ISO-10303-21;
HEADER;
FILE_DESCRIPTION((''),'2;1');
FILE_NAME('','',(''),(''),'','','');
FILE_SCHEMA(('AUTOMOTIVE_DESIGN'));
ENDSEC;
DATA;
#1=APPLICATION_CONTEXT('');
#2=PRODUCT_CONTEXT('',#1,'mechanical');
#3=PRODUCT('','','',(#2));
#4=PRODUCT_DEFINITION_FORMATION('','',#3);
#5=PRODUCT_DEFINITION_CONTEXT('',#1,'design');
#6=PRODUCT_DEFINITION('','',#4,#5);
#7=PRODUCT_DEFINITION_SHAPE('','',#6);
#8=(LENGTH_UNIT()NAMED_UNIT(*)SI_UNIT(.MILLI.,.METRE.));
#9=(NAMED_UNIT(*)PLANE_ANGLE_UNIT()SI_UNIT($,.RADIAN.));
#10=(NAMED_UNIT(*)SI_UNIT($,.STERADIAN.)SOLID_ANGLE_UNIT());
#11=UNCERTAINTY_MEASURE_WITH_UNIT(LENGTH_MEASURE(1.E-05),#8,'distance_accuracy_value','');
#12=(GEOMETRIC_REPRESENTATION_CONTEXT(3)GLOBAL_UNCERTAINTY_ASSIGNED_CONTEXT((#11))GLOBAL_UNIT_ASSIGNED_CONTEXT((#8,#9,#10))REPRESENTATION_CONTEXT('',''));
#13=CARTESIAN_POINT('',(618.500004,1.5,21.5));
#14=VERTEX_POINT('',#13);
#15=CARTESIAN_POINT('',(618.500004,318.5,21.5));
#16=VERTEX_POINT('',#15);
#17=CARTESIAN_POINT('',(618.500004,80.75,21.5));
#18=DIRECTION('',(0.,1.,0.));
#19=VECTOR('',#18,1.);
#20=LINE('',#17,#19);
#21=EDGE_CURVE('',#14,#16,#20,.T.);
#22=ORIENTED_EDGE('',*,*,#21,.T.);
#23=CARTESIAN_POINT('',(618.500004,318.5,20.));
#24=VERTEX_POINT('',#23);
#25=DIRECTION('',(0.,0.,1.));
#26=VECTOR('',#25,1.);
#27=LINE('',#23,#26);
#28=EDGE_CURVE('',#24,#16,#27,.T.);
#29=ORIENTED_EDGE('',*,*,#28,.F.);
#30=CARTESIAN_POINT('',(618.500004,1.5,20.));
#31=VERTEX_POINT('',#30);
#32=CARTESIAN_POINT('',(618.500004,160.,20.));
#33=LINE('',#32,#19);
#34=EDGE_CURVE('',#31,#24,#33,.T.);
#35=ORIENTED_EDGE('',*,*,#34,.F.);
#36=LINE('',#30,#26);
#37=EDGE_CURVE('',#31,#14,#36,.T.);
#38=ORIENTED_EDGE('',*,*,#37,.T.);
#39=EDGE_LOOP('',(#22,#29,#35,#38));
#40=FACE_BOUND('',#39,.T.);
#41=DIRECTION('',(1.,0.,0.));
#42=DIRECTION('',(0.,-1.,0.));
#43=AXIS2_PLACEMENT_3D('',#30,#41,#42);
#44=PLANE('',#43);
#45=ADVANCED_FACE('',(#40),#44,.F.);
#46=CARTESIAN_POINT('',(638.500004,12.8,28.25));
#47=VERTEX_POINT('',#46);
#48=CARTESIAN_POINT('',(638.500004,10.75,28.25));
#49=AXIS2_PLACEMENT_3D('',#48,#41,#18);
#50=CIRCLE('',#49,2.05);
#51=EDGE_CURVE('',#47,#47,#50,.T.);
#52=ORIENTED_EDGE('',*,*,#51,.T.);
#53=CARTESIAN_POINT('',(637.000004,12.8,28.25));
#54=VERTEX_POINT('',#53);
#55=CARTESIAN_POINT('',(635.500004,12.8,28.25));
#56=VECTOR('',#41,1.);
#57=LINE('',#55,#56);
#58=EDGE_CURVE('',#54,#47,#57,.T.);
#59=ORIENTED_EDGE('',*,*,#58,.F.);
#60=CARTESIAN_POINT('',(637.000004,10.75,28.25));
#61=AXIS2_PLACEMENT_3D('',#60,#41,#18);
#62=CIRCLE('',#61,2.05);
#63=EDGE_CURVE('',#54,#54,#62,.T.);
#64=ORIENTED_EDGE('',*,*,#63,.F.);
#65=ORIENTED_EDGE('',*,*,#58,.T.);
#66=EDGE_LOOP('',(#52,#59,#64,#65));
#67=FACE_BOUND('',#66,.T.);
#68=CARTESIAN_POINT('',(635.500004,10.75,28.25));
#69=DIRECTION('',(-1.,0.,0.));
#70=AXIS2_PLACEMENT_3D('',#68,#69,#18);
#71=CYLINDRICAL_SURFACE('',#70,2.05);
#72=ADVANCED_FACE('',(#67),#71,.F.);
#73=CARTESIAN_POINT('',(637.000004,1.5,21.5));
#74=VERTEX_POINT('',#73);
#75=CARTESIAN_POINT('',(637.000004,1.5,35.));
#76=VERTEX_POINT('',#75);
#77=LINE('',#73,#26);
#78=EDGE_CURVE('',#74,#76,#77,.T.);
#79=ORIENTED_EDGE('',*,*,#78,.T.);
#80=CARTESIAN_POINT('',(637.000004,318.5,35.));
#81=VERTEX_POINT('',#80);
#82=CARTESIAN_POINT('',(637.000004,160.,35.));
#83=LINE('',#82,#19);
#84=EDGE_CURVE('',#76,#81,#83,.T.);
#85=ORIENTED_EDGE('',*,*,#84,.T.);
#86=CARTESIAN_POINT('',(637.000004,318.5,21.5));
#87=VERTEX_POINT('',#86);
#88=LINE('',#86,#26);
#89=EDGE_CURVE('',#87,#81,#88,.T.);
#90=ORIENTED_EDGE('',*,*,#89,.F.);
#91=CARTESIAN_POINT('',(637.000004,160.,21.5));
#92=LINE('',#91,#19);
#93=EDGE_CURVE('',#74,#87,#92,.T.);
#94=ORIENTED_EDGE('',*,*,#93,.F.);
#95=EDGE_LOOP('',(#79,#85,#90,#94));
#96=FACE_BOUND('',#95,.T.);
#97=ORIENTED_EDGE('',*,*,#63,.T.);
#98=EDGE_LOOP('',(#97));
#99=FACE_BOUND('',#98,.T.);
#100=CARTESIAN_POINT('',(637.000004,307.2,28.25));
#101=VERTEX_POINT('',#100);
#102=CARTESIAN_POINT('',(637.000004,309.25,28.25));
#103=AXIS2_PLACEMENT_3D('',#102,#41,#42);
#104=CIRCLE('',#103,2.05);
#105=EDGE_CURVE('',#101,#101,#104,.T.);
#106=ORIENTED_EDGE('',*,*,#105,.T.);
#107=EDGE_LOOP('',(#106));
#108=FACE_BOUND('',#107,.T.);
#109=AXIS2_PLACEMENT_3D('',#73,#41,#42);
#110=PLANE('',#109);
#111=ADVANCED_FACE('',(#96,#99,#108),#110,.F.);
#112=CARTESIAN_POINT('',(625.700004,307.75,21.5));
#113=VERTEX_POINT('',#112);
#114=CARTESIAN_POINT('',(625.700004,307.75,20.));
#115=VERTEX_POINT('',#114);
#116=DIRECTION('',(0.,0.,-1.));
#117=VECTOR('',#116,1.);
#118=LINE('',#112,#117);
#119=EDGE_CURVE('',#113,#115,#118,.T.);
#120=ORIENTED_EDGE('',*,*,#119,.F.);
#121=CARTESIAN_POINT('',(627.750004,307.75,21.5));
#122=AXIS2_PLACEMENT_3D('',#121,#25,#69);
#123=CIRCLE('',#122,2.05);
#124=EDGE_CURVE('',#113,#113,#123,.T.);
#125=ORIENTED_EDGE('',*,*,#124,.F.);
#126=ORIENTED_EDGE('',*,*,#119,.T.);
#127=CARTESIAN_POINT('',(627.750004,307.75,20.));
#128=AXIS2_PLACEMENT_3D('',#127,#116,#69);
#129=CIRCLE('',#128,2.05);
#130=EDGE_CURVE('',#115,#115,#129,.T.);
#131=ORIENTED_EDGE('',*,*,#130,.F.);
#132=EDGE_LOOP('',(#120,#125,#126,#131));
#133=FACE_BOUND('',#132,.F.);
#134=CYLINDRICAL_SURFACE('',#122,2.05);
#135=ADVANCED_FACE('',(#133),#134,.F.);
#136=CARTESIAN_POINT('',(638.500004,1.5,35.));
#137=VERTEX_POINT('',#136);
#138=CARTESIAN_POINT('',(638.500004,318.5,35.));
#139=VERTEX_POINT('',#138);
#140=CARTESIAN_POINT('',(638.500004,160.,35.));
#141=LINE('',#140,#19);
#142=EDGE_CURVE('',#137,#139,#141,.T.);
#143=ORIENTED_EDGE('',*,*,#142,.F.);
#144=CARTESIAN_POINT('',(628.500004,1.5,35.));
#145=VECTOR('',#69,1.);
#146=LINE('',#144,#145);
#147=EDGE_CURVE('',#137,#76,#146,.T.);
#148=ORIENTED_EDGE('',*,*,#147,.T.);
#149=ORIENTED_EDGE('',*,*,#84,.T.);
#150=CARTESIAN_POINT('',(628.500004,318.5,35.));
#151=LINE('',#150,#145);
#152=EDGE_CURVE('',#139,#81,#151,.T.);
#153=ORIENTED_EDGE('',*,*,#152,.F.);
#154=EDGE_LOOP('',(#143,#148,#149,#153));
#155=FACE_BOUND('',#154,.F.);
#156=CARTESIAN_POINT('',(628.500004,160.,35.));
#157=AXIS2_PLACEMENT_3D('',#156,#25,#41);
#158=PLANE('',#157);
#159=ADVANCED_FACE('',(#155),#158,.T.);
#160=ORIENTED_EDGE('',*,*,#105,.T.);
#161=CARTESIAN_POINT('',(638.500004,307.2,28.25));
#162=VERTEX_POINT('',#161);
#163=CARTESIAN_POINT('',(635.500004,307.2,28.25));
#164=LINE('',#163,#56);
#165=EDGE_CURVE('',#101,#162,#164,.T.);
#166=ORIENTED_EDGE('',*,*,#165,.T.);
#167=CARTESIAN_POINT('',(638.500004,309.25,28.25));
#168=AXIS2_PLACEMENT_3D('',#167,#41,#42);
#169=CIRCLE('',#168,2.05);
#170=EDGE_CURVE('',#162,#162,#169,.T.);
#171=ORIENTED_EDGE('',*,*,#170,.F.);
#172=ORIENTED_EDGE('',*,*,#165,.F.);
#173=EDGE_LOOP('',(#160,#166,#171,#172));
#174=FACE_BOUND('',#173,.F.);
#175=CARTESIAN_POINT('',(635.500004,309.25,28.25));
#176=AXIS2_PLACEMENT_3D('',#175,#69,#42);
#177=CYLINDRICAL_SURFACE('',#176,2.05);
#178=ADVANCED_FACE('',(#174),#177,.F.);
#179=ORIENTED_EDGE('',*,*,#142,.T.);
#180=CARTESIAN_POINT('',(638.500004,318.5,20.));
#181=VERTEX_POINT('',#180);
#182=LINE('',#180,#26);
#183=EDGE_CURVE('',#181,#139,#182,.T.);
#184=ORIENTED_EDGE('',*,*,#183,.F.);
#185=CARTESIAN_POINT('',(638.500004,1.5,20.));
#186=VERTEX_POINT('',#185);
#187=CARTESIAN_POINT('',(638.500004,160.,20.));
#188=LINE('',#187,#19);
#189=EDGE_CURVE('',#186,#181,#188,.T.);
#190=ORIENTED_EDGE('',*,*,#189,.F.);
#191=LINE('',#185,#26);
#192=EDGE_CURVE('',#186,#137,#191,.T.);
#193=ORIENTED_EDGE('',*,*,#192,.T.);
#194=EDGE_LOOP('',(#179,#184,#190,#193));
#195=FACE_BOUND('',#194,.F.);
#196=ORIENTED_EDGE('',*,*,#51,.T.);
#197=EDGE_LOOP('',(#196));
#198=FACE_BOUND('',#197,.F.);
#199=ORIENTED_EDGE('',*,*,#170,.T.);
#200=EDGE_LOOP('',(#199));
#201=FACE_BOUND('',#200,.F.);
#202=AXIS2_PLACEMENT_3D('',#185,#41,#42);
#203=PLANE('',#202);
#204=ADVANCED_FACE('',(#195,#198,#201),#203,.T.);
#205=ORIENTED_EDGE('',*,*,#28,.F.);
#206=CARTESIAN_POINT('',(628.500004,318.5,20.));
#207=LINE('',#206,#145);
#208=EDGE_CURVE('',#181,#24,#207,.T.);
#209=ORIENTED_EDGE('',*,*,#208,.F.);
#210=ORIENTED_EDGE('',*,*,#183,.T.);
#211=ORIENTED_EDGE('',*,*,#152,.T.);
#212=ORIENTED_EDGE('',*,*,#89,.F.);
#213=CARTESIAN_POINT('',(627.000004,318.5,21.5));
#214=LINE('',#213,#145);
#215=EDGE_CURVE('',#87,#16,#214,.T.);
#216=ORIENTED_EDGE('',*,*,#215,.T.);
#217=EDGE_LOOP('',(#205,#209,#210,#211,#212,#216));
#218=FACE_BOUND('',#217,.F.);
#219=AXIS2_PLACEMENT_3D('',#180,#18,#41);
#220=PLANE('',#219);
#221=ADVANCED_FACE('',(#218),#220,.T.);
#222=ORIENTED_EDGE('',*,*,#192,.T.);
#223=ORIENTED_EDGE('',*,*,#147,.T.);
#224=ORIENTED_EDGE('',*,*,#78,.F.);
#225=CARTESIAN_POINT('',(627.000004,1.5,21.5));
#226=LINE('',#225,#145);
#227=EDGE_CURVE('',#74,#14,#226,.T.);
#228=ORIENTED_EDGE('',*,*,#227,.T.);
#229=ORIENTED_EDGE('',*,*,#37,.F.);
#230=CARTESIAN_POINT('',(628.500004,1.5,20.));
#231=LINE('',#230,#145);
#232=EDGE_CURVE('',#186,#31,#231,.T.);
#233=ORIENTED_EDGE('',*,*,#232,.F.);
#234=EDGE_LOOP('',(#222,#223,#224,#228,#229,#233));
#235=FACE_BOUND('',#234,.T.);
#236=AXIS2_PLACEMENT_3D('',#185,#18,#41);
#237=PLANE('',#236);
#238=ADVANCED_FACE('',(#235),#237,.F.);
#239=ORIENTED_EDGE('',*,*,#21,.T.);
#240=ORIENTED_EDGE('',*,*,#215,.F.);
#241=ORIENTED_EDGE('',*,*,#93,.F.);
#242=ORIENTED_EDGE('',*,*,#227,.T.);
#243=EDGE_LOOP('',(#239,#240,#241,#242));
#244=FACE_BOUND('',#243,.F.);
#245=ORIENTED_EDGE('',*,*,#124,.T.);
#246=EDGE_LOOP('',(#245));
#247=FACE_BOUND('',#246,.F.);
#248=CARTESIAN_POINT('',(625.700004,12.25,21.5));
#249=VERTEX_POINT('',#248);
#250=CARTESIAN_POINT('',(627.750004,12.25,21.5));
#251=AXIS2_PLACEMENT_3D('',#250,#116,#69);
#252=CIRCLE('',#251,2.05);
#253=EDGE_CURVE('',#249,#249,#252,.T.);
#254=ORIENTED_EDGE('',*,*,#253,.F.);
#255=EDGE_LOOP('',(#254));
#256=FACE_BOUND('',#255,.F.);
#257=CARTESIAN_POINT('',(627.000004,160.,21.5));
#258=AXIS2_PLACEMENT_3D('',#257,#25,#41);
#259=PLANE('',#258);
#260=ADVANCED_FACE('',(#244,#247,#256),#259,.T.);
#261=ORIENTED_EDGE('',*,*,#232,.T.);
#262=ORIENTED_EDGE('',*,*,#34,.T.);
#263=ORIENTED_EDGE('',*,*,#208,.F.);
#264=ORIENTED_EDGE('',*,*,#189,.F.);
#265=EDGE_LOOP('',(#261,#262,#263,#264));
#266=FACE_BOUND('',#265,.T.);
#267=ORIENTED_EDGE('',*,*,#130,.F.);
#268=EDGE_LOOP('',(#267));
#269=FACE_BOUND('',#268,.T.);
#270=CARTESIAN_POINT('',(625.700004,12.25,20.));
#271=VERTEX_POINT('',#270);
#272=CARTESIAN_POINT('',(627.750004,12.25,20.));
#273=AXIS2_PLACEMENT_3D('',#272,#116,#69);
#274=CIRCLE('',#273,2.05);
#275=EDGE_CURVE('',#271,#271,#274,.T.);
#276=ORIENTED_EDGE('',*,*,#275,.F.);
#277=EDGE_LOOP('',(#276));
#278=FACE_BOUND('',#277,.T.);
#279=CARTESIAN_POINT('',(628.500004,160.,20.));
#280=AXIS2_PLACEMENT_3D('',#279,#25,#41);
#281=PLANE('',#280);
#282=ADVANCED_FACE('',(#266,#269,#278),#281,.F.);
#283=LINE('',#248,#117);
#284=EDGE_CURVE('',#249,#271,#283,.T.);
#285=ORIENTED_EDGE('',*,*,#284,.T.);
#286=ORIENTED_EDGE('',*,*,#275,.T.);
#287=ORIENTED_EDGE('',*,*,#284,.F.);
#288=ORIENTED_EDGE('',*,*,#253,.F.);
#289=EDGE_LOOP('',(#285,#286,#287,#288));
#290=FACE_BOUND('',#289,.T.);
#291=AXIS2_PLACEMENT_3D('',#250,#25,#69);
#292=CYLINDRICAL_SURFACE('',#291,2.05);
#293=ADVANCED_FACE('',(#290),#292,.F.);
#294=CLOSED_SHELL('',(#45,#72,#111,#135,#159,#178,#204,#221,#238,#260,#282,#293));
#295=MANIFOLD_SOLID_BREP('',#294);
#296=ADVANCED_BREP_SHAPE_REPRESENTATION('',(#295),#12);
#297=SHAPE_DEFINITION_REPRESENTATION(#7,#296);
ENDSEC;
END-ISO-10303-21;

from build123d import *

# Parameters (mm, degrees)
BOX005_W      = 20
BOX005_H      = 317
BOX005_DEPTH  = 13.5
BOX004_W      = 20
BOX004_H      = 317
BOX004_DEPTH  = 15
SKETCH006_R   = 2.05
HOLE001_DEPTH = 638.969553
SKETCH008_R   = 2.05
HOLE003_DEPTH = 637.469553


with BuildPart() as cut016:
    # Box005 → Box005 (new body)
    with BuildSketch(Plane(origin=(1.5, 0, 1.5), x_dir=(1, 0, 0), z_dir=(0, 0, 1))):
        with Locations((10, 158.5)):
            Rectangle(BOX005_W, BOX005_H)
    extrude(amount=BOX005_DEPTH)


with BuildPart() as side_bottom_body:
    # Box004 → Box004 (new body)
    with BuildSketch(Plane.XY):
        with Locations((10, 158.5)):
            Rectangle(BOX004_W, BOX004_H)
    extrude(amount=BOX004_DEPTH)

    # Cut002: cut Cut016
    add(cut016.part, mode=Mode.SUBTRACT)


with BuildPart() as side_bottom_body_1:
    # Cut002 placement: moved
    add(side_bottom_body.part.moved(Location((1.5, 1.5, 21.5))))


with BuildPart() as side_bottom_body_2:
    # BaseFeature001 placement: moved
    add(side_bottom_body_1.part.moved(Location((-1.5, -1.5, -21.5))))

    # Sketch006 → Hole001 (cut, through all)
    with BuildSketch(Plane.YZ.offset(3)):
        with Locations((9.25, 8.25)):
            Circle(SKETCH006_R)
    hole001 = extrude(amount=-HOLE001_DEPTH, mode=Mode.SUBTRACT)

    # Mirrored: Hole001 across Sketch006 Axis0
    add(hole001.mirror(Plane(origin=(3, 158.5, 15), x_dir=(1, 0, 0), z_dir=(0, 1, 0))), mode=Mode.SUBTRACT)

    # Sketch008 → Hole003 (cut, through all)
    with BuildSketch(Plane.XY.offset(1.5)):
        with Locations((10.75, 10.75)):
            Circle(SKETCH008_R)
    hole003 = extrude(amount=-HOLE003_DEPTH, mode=Mode.SUBTRACT)

    # Mirrored001: Hole003 across Sketch008 Axis0
    add(hole003.mirror(Plane(origin=(20, 158.5, 1.5), x_dir=(0, 0, 1), z_dir=(0, -1, 0))), mode=Mode.SUBTRACT)


with BuildPart() as side_bottom_body_3:
    # Body001 placement: moved
    add(side_bottom_body_2.part.moved(Location((1.5, 1.5, 20))))


with BuildPart() as left_bottom_mirror:
    # Part__Mirroring001: instance of side_bottom_body
    add(side_bottom_body_3.part.mirror(Plane(origin=(2e-06, 160, 27.5), x_dir=(0, -1, 0), z_dir=(1, 0, 0))))


with BuildPart() as left_bottom_mirror_1:
    # Part__Mirroring001 placement: moved
    add(left_bottom_mirror.part.moved(Location((640, 0, 0))))


solid = left_bottom_mirror_1.part
